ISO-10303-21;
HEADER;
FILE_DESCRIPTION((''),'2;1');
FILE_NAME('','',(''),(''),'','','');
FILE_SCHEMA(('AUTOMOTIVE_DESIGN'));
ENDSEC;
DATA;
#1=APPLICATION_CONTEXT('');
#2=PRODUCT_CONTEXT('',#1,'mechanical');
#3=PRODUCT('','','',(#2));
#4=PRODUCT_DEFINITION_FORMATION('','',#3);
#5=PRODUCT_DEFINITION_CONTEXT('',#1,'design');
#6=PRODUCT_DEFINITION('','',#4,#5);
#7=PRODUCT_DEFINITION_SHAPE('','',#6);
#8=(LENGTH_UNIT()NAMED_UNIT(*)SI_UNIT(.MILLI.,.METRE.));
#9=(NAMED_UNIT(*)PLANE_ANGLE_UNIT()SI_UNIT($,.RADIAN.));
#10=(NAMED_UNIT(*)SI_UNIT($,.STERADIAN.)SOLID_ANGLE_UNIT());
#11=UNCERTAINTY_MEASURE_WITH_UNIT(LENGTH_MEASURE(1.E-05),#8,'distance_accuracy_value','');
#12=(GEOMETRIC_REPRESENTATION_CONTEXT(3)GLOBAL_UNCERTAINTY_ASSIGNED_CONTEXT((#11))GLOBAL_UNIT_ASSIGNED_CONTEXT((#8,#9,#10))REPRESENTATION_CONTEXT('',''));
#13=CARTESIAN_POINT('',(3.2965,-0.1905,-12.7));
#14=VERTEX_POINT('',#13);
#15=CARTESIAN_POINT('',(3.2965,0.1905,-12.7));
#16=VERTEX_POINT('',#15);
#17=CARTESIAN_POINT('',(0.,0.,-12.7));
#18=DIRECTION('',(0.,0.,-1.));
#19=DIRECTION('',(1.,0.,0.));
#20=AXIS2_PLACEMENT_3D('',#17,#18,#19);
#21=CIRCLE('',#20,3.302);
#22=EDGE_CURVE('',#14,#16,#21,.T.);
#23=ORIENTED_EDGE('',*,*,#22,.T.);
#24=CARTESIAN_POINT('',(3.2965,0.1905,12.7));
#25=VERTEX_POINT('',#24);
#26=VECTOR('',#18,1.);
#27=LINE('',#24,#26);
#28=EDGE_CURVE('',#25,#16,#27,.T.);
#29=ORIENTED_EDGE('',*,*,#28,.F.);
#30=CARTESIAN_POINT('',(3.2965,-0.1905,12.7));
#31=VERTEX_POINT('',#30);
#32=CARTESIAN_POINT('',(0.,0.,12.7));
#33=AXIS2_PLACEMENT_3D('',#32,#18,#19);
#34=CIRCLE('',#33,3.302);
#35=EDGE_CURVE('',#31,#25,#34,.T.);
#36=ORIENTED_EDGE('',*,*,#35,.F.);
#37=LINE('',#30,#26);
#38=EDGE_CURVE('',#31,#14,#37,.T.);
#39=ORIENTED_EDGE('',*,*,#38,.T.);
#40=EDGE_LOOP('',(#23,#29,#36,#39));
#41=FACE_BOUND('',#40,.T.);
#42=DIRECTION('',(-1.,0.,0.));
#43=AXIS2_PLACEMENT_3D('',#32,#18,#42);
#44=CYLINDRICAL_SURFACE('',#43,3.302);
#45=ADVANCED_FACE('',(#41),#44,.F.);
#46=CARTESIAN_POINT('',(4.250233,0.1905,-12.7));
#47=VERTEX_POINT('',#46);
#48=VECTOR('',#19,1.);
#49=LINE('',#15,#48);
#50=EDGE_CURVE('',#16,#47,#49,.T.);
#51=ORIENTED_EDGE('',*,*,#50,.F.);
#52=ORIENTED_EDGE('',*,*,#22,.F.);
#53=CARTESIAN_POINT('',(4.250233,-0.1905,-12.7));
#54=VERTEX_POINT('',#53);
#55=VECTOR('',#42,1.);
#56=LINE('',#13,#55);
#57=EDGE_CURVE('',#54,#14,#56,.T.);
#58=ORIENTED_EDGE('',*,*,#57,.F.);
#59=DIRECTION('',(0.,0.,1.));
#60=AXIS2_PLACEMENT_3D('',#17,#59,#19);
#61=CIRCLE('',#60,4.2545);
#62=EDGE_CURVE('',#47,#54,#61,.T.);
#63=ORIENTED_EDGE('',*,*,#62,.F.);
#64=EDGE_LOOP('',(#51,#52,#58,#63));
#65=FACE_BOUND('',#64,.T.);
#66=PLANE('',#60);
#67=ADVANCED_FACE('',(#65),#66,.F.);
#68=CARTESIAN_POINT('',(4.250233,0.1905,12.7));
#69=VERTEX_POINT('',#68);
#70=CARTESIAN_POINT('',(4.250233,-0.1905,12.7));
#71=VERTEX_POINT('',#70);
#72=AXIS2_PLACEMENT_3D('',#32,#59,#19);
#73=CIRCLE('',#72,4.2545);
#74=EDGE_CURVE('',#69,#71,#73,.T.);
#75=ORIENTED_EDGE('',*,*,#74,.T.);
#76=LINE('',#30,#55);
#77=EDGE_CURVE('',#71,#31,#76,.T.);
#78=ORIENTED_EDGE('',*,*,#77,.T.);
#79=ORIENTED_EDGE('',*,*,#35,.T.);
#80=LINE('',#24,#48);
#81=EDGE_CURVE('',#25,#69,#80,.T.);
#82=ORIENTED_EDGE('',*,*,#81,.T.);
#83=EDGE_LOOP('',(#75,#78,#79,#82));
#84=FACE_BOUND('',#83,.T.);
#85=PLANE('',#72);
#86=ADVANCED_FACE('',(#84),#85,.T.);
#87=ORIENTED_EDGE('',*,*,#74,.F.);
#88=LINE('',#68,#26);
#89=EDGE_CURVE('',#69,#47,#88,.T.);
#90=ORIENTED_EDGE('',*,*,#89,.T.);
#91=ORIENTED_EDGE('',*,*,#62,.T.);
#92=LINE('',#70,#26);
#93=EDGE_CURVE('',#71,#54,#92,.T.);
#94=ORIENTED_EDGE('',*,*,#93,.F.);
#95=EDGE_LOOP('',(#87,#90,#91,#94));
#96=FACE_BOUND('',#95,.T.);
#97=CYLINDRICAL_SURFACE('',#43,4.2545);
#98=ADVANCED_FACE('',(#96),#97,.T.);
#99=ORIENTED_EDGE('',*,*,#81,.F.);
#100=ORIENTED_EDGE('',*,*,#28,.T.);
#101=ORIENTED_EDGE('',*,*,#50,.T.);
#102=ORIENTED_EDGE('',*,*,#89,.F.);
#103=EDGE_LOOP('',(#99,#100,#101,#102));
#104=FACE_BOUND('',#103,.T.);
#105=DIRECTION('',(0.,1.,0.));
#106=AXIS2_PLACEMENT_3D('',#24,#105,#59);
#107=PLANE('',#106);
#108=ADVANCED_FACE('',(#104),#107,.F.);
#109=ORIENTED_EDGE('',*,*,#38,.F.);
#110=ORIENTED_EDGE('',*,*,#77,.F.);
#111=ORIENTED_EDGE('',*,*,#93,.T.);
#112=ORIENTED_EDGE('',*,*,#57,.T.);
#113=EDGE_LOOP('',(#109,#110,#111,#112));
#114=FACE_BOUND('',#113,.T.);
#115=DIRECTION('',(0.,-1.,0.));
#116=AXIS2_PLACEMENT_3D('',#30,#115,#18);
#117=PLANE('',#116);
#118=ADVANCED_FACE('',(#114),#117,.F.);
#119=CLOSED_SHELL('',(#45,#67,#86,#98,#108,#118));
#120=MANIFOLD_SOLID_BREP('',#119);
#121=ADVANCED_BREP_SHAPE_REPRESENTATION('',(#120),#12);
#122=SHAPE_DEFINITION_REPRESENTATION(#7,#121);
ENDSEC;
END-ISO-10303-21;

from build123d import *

# Parameters (mm, degrees)
EXTRUDE1_DEPTH      = 12.7
EXTRUDE1_DEPTH_BACK = 12.7


with BuildPart() as part:
    # Sketch1 → Extrude1 (new body, two sides)
    with BuildSketch(Plane.XY) as extrude1_sk:
        with BuildLine():
            Line((3.296500228, 0.1905), (4.250232935, 0.1905))
            ThreePointArc((4.250232935, 0.1905), (-4.2545, 0), (4.250232935, -0.1905))
            Line((4.250232935, -0.1905), (3.296500228, -0.1905))
            ThreePointArc((3.296500228, -0.1905), (-3.302, 0), (3.296500228, 0.1905))
        make_face()
    extrude(amount=EXTRUDE1_DEPTH)
    extrude(extrude1_sk.sketch, amount=-EXTRUDE1_DEPTH_BACK)


solid = part.part
